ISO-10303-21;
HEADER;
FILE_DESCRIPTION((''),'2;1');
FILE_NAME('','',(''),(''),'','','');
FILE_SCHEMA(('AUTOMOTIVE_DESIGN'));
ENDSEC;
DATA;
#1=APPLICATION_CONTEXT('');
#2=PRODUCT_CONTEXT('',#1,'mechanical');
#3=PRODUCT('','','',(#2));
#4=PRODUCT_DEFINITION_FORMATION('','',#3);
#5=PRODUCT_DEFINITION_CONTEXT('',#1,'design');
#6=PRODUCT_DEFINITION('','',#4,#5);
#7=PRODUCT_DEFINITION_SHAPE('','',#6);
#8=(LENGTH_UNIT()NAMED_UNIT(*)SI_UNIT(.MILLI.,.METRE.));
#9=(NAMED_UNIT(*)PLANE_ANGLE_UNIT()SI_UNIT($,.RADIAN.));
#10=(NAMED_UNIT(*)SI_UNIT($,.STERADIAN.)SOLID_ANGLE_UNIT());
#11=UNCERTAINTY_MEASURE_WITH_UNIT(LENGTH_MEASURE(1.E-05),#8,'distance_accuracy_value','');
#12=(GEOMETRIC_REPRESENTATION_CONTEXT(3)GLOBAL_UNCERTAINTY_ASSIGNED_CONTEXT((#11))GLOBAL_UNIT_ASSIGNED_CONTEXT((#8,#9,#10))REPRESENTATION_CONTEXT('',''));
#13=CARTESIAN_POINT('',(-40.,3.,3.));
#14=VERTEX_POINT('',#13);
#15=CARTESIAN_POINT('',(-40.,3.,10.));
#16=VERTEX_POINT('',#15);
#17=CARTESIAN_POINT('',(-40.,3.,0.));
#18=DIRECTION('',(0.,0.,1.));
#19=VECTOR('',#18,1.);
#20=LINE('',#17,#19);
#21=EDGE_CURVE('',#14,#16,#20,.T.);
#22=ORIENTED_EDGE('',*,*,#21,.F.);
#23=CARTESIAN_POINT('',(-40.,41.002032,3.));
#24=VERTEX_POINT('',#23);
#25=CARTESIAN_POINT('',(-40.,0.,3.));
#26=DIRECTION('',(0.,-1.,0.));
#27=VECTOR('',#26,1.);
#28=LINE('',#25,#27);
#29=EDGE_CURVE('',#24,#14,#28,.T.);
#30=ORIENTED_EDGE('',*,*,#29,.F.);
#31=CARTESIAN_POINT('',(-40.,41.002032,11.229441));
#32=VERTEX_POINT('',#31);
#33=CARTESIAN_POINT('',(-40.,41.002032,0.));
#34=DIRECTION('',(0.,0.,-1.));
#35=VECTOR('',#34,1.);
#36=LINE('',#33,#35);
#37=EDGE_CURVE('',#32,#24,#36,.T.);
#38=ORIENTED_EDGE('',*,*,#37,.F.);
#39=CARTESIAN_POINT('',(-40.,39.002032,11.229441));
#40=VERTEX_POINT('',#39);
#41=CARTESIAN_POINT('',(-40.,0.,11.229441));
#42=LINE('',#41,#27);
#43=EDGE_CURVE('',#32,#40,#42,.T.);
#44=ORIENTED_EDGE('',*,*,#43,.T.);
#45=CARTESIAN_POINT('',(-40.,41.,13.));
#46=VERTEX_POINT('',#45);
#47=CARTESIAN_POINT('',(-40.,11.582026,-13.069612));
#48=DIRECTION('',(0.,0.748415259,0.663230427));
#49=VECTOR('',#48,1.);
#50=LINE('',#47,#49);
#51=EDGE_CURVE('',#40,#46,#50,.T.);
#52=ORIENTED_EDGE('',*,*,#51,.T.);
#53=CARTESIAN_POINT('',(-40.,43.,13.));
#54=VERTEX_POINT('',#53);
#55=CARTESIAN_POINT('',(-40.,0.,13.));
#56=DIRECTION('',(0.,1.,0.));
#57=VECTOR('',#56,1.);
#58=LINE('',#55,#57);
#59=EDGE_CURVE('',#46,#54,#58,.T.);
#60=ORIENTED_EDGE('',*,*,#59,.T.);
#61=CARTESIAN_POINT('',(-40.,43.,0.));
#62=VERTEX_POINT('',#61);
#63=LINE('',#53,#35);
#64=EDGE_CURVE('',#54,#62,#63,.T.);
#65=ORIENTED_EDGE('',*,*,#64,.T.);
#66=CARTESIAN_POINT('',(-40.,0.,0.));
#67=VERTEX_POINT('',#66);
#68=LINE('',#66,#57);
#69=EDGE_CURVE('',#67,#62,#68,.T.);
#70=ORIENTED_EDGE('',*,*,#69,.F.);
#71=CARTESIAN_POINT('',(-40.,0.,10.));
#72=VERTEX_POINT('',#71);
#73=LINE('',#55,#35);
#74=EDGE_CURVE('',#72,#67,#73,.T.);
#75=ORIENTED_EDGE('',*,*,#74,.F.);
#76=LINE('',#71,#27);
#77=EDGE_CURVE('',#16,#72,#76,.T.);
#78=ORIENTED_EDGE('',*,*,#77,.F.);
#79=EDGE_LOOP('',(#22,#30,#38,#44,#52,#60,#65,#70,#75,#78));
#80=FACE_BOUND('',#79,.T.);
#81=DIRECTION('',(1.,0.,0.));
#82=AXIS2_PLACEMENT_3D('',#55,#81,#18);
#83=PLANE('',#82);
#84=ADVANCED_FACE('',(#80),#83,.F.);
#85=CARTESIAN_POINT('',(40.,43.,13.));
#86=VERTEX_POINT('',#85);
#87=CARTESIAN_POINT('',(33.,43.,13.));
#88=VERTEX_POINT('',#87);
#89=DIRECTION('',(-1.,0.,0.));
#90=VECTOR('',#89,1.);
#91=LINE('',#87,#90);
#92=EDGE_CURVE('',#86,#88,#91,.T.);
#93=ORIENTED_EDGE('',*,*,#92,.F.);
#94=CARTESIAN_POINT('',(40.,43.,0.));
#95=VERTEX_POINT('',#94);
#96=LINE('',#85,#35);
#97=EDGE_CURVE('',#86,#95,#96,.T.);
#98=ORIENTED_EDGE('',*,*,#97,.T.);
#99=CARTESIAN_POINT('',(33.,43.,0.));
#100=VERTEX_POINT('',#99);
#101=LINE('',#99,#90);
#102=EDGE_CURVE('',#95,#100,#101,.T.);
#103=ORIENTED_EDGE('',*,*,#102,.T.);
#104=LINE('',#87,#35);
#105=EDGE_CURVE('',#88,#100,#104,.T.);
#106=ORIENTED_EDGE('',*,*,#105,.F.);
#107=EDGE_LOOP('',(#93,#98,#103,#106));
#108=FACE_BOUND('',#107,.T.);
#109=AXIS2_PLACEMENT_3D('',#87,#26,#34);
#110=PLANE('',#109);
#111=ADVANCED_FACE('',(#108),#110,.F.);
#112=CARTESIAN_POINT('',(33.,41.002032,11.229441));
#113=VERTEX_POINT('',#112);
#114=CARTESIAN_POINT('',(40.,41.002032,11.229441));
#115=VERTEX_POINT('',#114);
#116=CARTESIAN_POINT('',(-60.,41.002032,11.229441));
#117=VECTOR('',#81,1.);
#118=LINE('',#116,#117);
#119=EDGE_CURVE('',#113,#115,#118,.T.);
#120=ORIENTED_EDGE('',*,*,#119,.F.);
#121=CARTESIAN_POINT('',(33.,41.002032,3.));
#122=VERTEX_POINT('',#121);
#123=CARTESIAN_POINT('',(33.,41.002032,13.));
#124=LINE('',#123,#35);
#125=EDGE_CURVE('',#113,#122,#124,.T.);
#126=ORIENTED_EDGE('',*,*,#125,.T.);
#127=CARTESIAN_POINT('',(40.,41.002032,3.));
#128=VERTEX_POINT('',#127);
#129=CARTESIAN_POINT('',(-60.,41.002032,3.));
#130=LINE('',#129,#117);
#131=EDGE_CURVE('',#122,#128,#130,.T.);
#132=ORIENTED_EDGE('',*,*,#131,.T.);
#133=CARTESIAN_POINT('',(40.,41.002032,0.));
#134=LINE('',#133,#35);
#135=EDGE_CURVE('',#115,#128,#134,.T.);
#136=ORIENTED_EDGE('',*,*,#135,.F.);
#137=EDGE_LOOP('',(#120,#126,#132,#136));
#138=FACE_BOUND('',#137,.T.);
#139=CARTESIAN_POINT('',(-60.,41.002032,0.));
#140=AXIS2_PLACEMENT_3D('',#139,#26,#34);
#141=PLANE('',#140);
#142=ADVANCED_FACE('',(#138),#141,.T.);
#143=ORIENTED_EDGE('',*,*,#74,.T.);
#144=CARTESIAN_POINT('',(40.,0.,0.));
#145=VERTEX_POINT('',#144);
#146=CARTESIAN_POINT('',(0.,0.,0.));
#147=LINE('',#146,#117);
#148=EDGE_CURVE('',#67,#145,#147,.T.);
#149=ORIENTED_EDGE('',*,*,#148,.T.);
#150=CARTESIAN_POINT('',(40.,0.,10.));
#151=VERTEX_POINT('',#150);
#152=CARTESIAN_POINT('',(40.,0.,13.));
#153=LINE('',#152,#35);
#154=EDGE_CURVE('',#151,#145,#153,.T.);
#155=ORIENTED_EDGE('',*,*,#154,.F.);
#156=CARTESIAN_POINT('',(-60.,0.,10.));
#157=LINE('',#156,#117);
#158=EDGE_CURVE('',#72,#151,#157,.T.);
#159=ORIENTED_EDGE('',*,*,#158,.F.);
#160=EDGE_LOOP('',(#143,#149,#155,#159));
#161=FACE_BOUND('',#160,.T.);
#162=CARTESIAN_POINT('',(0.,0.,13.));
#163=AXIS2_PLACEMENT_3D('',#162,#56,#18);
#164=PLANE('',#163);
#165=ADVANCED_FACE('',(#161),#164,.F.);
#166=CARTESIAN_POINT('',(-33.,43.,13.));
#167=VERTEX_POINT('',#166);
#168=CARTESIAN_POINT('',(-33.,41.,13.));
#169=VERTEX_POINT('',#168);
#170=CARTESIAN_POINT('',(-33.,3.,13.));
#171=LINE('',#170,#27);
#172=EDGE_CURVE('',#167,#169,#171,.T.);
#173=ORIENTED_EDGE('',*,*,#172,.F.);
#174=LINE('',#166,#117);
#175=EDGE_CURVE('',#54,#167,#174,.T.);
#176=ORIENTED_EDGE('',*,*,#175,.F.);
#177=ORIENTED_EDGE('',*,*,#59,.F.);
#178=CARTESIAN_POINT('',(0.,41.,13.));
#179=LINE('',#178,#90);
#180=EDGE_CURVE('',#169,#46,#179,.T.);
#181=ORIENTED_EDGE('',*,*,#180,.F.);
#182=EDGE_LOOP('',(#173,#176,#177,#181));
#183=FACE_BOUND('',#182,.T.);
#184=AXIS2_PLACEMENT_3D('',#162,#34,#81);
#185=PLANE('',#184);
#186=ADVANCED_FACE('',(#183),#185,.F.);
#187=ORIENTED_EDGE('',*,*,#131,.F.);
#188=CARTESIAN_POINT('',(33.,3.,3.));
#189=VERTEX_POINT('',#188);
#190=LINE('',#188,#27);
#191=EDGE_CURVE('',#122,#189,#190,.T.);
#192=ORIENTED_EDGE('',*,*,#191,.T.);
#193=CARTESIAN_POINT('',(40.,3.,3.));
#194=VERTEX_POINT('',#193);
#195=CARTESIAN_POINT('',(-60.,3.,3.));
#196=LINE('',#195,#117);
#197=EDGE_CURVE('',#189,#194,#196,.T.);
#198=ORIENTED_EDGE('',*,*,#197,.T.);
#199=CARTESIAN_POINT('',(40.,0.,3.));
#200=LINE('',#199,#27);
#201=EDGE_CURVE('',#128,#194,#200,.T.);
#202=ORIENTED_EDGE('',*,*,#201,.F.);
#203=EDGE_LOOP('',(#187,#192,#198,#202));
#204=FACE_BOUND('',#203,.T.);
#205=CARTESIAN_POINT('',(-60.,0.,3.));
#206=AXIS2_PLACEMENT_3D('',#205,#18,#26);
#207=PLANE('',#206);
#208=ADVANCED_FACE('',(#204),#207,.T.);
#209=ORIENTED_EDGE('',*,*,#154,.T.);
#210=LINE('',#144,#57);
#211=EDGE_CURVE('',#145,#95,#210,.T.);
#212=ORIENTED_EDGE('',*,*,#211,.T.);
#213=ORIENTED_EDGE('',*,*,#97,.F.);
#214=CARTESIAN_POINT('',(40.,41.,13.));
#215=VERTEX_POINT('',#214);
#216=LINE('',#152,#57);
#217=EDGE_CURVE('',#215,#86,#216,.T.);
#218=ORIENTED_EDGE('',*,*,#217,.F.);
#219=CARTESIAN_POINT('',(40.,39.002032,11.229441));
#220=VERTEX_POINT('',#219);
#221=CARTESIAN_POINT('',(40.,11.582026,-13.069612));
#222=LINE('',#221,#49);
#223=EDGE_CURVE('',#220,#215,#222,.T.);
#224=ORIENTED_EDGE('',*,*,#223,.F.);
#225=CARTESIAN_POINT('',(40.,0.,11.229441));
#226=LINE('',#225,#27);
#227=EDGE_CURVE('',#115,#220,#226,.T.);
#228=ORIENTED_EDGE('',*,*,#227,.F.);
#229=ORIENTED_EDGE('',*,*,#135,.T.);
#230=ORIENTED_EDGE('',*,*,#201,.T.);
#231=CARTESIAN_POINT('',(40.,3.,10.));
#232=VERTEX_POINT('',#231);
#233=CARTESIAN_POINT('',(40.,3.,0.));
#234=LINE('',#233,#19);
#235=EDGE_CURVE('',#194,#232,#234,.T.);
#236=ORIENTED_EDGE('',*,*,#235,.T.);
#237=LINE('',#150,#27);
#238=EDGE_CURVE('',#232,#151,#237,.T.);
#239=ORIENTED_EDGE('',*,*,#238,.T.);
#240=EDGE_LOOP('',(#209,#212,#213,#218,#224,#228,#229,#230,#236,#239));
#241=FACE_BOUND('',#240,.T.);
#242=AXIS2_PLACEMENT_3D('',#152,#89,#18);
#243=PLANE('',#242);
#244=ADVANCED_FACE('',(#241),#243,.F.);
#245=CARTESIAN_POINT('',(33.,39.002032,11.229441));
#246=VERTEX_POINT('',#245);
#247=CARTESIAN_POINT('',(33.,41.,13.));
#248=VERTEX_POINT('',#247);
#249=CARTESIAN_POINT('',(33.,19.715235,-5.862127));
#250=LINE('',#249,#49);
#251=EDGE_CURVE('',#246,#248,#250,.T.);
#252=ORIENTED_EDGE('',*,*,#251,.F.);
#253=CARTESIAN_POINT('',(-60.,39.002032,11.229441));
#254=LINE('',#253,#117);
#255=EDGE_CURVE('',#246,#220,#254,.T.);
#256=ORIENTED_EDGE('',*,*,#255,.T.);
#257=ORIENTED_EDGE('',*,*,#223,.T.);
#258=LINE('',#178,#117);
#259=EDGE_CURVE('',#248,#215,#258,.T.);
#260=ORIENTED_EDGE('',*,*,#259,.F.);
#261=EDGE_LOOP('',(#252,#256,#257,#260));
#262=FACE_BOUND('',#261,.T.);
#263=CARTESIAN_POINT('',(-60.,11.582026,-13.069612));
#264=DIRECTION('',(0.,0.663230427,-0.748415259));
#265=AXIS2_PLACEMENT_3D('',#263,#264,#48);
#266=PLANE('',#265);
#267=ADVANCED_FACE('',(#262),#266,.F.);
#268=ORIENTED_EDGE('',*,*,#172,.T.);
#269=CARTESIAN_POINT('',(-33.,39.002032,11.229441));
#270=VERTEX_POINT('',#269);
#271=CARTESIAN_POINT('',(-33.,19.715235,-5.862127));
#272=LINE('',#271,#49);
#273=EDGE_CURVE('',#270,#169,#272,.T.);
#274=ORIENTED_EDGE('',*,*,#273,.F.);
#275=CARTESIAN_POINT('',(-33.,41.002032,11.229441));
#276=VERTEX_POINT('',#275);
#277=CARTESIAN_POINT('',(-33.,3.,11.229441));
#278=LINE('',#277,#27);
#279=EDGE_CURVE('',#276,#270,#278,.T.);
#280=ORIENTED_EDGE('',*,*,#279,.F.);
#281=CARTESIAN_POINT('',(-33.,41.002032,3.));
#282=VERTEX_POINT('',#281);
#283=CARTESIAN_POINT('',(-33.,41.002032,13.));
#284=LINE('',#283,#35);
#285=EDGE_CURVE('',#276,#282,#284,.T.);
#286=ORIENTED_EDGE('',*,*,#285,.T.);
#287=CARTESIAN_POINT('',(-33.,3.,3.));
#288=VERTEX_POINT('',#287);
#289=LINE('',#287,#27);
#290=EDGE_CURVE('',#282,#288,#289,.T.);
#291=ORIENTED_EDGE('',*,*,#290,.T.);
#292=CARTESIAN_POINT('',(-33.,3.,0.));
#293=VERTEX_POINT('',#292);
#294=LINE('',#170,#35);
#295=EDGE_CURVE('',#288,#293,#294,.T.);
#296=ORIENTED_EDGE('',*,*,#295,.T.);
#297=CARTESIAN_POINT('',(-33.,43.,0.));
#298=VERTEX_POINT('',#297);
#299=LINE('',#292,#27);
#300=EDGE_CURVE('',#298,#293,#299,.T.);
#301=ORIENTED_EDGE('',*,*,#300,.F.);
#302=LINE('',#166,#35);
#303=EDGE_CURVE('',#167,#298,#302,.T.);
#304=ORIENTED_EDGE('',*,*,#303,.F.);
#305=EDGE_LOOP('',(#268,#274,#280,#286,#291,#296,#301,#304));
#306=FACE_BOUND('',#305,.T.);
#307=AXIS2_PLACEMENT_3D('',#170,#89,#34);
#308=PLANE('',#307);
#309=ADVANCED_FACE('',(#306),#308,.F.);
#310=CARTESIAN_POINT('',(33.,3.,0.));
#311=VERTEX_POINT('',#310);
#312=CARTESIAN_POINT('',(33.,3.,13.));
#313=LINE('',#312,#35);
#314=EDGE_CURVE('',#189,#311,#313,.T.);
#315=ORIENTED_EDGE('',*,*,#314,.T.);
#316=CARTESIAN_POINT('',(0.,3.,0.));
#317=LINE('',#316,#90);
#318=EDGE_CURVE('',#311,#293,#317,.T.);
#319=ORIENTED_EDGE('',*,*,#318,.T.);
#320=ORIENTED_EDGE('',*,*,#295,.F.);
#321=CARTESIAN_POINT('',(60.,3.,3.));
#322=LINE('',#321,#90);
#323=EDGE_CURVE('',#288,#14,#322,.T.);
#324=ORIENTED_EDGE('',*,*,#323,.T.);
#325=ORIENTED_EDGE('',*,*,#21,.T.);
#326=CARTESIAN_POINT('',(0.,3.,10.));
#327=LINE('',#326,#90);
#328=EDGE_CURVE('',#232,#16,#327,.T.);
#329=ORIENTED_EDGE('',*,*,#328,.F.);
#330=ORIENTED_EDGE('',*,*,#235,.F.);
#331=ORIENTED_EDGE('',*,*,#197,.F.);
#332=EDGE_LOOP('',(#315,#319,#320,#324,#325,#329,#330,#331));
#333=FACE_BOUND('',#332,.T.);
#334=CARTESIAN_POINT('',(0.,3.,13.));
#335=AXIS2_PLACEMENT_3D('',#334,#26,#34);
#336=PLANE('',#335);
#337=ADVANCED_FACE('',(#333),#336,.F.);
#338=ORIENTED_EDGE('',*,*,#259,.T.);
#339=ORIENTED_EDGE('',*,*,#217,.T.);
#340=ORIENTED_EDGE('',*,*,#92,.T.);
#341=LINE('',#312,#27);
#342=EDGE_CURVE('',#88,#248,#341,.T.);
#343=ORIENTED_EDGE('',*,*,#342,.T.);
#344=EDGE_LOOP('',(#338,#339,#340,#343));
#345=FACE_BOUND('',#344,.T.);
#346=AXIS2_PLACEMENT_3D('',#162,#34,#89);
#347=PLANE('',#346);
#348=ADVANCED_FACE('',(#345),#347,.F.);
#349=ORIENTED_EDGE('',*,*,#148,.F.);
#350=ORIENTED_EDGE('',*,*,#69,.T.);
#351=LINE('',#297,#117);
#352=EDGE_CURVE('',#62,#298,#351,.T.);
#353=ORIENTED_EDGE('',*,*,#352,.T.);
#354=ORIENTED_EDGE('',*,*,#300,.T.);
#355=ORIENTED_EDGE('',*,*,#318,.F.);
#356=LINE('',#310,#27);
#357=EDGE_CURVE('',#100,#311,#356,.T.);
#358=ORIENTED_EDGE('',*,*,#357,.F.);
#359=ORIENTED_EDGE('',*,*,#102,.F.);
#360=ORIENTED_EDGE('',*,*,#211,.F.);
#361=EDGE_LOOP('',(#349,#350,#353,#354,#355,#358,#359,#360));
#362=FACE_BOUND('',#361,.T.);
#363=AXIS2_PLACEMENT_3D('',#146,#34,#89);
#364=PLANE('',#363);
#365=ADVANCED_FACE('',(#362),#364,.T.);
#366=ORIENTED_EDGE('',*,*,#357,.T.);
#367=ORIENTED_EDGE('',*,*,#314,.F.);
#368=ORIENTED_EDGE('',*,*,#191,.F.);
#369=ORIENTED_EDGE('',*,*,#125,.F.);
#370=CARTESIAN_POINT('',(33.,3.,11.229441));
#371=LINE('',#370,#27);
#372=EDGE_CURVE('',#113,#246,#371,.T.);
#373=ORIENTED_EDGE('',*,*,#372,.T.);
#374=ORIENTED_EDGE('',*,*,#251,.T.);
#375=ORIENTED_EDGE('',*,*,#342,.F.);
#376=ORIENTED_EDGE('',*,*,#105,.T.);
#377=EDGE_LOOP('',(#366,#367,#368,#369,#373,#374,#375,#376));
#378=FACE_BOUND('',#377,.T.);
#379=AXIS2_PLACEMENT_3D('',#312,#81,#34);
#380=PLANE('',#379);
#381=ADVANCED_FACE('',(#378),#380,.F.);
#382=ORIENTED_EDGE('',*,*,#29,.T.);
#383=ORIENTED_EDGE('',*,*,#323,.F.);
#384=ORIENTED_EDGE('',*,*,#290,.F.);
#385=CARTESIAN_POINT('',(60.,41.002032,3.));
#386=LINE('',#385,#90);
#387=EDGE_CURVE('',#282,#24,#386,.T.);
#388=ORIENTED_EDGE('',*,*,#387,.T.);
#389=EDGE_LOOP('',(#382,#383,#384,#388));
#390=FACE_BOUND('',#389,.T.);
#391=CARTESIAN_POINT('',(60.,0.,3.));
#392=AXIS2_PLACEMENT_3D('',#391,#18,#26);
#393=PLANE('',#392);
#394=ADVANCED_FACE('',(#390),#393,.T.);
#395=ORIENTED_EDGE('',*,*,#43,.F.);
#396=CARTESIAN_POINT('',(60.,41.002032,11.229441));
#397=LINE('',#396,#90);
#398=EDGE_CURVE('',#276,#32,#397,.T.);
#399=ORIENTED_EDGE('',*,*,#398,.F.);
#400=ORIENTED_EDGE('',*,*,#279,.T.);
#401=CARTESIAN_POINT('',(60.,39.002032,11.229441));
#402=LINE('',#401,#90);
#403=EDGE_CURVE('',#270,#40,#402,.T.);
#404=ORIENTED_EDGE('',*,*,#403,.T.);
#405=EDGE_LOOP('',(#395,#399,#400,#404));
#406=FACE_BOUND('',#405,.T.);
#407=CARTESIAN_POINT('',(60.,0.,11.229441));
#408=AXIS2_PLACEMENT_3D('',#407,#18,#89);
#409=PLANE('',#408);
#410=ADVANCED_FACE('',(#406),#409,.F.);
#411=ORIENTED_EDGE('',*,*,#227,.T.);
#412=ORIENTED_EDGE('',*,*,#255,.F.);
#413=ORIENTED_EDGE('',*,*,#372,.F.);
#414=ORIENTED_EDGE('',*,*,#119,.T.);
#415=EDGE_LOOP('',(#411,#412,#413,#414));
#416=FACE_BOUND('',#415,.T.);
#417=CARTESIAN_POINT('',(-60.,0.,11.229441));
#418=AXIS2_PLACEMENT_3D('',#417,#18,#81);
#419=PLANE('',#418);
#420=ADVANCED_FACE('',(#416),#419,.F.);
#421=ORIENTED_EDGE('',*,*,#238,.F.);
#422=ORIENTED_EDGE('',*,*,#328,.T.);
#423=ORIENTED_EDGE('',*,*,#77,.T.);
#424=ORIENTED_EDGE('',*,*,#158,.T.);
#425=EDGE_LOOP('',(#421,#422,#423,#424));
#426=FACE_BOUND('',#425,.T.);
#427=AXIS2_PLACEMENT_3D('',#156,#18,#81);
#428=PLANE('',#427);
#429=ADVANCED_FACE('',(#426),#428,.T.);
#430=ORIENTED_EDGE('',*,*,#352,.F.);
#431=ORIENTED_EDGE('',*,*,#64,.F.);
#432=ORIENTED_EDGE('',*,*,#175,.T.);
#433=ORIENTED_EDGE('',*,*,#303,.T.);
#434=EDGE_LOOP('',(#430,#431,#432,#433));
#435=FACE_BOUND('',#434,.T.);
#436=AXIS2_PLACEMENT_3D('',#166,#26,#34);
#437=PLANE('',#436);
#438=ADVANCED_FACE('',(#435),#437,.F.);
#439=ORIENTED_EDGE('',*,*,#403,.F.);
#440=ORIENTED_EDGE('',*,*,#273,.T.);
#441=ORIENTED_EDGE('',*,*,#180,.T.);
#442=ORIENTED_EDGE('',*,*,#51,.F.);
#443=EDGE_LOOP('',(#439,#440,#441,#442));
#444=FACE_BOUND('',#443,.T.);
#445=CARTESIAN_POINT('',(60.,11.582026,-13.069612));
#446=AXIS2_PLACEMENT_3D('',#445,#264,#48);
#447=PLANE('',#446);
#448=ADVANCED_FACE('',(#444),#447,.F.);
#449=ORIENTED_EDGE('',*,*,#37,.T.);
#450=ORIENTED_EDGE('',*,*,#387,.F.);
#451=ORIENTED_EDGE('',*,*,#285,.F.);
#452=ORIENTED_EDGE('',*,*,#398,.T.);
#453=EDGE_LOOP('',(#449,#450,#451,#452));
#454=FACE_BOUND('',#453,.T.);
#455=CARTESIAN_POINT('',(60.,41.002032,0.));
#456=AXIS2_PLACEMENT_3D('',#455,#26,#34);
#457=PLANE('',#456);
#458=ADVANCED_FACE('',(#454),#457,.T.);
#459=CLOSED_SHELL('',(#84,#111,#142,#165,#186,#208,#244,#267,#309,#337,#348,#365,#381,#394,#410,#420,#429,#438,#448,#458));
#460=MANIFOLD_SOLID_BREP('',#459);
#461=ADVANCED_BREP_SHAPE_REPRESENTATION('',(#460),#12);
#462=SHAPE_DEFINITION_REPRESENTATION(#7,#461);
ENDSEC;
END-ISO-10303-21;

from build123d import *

# Parameters (mm, degrees)
BOSS_EXTRUDE1_DEPTH = 13
CUT_EXTRUDE1_DEPTH  = 100


with BuildPart() as part:
    # Sketch1 → Boss-Extrude1 (new body)
    with BuildSketch(Plane.XY):
        Polygon((0, 0), (40, 0), (40, 43), (33, 43), (33, 3), (0, 3), align=None)
    extrude(amount=BOSS_EXTRUDE1_DEPTH)

    # Sketch2 → Cut-Extrude1 (cut)
    with BuildSketch(Plane(origin=(40, 0, 0), x_dir=(0, 0, -1), z_dir=(1, 0, 0))):
        Polygon((-11.229441325, 39.002032062), (-13, 41), (-13, 0), (-10, 0), (-10, 3), (-3, 3), (-3, 41.002032062), (-11.229441325, 41.002032062), align=None)
    extrude(amount=-CUT_EXTRUDE1_DEPTH, mode=Mode.SUBTRACT)

    # Mirror2: part across plane


with BuildPart() as part_1:
    add(part.part)
    add(part.part.mirror(Plane(origin=(0, 0, 13), x_dir=(0, 0, 1), z_dir=(1, 0, 0))))


solid = part_1.part
